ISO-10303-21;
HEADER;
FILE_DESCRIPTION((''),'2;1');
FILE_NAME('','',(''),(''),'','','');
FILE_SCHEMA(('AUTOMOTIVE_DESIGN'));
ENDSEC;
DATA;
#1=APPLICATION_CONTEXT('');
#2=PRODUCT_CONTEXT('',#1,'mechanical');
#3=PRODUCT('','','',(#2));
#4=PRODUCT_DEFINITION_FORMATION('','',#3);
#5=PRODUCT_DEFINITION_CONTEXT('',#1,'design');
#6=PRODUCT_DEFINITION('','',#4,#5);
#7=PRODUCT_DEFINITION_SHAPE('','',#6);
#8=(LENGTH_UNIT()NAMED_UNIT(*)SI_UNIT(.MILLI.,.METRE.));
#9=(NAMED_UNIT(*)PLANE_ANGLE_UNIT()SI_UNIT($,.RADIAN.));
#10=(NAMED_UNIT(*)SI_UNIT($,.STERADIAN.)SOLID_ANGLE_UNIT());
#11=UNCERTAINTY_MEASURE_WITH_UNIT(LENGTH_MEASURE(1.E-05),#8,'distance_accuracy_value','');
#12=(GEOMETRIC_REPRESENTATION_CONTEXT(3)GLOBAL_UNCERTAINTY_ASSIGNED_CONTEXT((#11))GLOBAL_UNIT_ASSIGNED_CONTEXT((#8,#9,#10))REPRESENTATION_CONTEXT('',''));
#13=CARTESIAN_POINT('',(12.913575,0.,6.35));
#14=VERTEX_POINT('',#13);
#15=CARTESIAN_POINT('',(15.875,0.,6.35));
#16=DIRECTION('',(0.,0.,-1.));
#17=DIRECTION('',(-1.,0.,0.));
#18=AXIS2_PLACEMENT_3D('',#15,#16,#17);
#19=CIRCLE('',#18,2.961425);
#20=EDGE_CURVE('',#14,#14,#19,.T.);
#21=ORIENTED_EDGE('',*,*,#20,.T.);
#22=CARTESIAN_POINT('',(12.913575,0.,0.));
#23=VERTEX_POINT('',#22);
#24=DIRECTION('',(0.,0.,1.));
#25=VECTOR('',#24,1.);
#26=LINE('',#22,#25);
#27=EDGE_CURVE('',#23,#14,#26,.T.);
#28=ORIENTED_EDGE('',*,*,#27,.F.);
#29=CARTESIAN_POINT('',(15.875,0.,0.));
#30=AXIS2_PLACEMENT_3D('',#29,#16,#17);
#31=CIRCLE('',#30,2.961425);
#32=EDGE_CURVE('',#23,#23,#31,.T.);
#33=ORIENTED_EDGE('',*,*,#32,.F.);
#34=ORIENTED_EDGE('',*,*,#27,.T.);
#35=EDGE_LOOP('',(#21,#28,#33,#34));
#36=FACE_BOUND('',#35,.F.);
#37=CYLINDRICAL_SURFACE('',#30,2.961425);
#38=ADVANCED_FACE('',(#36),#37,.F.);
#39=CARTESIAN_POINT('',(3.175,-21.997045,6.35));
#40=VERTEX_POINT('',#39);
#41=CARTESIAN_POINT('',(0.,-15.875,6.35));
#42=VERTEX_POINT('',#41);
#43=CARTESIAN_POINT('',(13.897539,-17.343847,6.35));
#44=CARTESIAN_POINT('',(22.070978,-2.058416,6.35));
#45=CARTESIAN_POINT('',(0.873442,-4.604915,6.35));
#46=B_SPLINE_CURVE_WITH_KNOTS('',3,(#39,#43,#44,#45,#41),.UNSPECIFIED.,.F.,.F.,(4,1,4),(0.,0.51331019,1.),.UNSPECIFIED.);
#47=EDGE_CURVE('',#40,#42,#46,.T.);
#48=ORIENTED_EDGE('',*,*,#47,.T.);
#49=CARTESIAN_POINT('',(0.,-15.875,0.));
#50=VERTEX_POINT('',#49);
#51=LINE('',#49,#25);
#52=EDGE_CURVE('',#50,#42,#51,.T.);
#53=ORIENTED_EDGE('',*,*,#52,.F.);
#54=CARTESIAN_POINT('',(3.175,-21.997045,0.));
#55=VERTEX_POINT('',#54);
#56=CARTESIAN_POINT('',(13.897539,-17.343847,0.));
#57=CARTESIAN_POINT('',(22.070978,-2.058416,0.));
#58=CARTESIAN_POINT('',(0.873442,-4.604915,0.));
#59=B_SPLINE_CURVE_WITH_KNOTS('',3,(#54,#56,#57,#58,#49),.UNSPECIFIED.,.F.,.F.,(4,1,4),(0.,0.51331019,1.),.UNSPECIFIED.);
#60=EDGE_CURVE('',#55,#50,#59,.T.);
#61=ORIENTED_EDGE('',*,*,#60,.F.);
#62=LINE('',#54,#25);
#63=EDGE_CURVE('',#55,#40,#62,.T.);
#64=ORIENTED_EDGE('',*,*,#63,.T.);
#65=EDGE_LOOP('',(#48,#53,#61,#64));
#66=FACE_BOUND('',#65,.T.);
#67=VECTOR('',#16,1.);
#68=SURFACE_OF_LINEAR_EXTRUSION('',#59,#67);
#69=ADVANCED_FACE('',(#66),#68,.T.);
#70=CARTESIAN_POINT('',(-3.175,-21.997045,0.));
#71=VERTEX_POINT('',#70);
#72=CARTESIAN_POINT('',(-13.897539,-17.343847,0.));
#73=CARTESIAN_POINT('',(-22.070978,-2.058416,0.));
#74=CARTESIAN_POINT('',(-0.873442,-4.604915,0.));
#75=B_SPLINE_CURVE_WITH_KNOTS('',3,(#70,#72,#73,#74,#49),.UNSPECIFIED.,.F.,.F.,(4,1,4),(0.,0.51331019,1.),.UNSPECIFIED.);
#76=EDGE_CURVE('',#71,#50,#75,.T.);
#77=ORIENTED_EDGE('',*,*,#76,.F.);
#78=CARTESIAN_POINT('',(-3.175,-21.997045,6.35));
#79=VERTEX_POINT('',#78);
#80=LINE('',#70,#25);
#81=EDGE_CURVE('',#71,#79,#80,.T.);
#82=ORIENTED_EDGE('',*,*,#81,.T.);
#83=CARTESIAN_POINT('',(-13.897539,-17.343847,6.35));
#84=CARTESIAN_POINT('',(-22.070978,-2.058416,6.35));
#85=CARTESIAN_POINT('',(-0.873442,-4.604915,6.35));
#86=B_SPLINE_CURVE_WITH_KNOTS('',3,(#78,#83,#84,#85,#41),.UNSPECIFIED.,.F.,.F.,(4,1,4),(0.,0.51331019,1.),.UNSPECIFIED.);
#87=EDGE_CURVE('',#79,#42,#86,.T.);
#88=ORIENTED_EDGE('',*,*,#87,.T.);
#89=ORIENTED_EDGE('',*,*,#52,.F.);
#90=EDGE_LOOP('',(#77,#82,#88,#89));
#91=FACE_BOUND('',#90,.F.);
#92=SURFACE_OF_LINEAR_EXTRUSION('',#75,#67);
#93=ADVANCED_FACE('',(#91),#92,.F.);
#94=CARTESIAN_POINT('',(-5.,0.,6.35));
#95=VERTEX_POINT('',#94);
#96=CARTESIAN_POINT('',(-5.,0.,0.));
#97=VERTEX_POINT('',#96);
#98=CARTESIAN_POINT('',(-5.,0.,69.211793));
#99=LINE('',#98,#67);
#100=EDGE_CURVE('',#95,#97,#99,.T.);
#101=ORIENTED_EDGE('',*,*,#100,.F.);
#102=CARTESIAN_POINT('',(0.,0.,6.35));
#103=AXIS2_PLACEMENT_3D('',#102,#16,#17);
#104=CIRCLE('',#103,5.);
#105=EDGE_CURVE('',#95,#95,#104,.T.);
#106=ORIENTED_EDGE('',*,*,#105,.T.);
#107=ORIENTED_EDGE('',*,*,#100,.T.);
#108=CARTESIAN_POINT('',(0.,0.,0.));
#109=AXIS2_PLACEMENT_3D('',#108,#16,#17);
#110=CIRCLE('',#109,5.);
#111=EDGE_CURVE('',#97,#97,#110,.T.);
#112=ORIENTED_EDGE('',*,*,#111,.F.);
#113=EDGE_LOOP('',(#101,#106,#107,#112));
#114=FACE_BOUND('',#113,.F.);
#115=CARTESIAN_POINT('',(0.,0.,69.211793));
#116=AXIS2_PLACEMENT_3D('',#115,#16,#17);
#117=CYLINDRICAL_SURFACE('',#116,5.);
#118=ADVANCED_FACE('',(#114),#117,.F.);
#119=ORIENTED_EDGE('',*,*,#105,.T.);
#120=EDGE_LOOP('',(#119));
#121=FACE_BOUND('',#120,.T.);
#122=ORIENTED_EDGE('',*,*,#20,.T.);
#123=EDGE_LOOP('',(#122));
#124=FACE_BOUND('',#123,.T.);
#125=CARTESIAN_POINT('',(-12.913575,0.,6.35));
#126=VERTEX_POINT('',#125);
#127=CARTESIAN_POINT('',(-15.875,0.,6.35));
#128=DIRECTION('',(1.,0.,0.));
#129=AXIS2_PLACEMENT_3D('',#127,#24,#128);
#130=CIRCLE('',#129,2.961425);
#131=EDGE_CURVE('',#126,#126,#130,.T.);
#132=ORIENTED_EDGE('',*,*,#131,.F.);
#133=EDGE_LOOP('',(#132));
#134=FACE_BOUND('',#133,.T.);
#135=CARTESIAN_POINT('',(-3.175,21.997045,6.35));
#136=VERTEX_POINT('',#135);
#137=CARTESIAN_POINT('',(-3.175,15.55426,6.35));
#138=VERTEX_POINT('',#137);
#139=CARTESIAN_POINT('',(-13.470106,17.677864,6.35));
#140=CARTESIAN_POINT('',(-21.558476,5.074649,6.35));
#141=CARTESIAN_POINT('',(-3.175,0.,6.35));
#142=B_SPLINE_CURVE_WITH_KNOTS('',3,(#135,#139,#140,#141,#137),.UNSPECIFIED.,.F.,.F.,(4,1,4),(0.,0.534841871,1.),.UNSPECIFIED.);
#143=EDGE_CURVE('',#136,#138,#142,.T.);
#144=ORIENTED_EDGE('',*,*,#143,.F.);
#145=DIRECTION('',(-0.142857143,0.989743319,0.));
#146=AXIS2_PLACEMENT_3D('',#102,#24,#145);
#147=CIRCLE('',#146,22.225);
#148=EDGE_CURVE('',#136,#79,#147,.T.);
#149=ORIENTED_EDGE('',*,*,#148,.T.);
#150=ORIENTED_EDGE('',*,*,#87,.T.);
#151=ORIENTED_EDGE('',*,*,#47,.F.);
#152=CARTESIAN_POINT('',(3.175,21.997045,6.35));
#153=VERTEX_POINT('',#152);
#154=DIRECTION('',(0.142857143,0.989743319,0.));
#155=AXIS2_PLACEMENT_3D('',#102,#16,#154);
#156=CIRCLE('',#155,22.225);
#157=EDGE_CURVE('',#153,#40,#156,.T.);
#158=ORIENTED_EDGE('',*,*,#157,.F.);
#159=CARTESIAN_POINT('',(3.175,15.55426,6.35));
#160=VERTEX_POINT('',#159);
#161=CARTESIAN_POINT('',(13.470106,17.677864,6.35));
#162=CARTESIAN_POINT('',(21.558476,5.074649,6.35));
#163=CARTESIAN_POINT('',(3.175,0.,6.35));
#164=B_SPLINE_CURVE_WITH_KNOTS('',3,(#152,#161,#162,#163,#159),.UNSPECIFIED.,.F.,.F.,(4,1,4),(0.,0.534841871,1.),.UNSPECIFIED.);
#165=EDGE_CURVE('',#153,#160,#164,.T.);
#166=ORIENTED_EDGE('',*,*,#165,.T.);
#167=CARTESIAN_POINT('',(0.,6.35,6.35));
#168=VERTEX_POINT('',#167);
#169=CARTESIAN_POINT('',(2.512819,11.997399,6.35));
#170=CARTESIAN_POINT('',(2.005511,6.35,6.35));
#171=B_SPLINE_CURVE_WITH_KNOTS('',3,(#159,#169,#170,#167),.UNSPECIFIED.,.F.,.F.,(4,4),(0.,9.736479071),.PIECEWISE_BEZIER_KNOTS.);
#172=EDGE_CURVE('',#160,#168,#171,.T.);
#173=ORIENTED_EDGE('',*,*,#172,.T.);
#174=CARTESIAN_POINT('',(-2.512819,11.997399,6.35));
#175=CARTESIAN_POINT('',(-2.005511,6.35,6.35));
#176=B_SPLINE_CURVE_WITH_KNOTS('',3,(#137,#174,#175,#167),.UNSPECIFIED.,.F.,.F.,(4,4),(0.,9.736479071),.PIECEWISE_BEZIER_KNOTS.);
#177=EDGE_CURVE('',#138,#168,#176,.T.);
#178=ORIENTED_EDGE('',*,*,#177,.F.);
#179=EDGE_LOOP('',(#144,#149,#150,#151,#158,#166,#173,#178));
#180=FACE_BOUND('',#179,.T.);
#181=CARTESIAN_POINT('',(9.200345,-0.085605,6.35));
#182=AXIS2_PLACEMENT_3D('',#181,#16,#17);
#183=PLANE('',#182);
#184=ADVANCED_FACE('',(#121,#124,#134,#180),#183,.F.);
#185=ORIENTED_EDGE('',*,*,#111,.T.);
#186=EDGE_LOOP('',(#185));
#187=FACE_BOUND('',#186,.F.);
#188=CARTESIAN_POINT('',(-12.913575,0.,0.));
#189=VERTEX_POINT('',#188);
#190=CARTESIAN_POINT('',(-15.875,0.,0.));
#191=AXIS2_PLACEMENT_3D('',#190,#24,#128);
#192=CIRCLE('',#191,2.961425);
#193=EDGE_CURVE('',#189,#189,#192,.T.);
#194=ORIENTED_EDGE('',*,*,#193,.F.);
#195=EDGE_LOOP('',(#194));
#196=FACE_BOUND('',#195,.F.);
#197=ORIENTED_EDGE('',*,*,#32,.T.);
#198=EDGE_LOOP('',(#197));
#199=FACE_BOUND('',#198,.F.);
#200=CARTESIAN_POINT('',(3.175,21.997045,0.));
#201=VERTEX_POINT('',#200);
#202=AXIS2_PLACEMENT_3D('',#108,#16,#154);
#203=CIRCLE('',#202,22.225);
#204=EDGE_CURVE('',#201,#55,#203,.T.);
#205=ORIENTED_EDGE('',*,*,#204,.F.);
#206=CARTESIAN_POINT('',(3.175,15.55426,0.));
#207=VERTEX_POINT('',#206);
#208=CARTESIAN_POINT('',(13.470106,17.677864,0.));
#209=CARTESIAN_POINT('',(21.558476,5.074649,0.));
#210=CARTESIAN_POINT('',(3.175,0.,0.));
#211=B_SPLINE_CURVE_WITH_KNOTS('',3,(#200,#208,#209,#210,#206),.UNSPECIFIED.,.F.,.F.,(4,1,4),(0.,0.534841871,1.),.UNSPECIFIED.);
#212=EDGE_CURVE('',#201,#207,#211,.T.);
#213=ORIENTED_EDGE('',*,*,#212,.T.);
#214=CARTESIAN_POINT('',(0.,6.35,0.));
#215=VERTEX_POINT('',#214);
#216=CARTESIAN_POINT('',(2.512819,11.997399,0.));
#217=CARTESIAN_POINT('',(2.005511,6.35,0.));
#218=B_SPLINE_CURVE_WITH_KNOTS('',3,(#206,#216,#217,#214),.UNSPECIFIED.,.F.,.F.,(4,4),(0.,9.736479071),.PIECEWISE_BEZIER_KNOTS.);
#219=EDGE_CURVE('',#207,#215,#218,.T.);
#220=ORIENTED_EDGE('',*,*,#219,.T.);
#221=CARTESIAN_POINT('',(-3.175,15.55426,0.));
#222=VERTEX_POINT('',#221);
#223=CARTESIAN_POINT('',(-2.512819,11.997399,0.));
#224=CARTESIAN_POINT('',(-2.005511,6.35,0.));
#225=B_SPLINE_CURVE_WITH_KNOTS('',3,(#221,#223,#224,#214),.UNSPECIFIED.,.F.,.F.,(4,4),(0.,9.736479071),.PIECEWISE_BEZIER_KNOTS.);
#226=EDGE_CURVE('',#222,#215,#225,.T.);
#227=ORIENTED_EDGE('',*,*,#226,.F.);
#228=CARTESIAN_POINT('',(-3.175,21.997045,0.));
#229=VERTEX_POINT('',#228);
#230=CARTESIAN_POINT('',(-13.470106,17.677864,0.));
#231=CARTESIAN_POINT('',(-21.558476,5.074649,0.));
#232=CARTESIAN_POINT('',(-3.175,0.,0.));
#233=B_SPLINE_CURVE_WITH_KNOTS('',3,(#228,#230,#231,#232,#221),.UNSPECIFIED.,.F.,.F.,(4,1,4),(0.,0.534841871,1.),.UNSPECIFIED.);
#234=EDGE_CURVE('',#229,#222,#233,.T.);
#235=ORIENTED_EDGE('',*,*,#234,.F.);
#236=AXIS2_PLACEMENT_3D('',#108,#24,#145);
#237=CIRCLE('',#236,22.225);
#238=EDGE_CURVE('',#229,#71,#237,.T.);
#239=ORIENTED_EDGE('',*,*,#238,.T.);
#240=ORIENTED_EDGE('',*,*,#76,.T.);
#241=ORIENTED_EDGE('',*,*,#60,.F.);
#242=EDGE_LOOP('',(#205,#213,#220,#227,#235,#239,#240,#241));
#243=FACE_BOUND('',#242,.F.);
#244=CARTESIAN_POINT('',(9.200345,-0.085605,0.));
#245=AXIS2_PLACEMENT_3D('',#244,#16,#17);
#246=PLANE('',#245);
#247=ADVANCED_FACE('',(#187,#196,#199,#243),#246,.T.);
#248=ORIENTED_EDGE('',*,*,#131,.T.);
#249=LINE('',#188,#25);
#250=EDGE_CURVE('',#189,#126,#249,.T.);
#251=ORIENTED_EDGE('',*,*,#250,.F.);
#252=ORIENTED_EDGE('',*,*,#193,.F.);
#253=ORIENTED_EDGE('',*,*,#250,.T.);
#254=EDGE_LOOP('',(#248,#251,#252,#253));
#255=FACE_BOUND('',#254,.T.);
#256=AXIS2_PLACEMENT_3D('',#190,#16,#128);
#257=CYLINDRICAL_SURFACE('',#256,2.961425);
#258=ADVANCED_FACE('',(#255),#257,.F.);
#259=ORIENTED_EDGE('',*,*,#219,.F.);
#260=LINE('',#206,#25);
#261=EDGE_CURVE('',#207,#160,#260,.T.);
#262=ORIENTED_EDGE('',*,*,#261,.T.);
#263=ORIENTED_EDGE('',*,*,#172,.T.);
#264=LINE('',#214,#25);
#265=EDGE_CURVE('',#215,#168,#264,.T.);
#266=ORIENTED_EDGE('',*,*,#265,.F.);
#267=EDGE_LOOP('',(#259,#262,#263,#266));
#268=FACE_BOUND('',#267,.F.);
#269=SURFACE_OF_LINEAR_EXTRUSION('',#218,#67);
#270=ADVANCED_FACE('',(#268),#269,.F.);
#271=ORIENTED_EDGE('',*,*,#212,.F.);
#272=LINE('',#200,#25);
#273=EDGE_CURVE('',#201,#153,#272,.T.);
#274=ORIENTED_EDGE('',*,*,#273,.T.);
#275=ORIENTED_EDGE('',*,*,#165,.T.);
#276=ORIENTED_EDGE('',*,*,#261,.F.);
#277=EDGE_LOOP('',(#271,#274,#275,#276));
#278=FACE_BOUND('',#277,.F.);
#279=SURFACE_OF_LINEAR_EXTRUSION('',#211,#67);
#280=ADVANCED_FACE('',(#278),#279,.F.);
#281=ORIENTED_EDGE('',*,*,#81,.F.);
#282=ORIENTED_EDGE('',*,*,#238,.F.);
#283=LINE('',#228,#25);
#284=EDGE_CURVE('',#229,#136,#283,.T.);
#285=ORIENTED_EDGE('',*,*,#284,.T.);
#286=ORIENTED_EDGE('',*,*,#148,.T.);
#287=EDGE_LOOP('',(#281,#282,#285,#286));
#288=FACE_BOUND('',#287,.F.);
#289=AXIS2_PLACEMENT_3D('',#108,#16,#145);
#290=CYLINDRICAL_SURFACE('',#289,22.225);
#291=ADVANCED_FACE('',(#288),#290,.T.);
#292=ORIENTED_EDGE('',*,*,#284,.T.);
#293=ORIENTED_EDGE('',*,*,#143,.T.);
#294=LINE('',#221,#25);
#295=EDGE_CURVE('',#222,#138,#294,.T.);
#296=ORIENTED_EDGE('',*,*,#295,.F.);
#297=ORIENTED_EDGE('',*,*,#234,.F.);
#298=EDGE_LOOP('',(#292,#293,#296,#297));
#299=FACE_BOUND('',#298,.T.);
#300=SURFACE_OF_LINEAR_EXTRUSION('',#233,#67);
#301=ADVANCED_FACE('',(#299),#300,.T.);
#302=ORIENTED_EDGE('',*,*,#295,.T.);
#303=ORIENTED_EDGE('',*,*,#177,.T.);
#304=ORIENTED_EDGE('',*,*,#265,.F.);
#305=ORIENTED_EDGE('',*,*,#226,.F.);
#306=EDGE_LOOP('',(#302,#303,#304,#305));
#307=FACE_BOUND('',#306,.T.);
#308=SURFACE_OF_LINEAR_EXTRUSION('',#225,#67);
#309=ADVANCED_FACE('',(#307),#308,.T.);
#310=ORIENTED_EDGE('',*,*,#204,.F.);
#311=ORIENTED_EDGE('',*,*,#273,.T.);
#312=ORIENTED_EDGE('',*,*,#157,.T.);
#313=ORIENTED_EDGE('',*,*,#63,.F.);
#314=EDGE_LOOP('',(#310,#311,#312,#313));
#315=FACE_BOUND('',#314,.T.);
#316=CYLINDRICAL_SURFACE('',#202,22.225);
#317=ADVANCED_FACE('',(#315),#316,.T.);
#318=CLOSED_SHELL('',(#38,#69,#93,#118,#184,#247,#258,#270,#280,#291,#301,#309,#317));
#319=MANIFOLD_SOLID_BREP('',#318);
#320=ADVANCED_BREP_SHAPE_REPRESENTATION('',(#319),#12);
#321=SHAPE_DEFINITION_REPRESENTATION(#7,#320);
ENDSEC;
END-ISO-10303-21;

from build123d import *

# Parameters (mm, degrees)
F0_R     = 2.9614248249
F1_DEPTH = 6.35
F4_D     = 10


with BuildPart() as f1:
    # F0 (on Top) → F1 (new body)
    with BuildSketch(Plane.XY):
        with BuildLine():
            add(Edge.make_bspline(
                [(-3.175, 21.9970452561), (-13.4701055795, 17.6778641435), (-21.5584756618, 5.0746489519), (-3.175, 0), (-3.175, 15.5542598667)],
                knots=[0, 0, 0, 0, 0.5348418709, 1, 1, 1, 1], degree=3))
            ThreePointArc((-3.175, 21.9970452561), (-22.225, 0), (-3.175, -21.9970452561))
            add(Edge.make_bspline(
                [(-3.175, -21.9970452561), (-13.8975393501, -17.343846892), (-22.0709782387, -2.0584159269), (-0.8734419243, -4.604915157), (0, -15.875)],
                knots=[0, 0, 0, 0, 0.5133101899, 1, 1, 1, 1], degree=3))
            Line((0, -15.875), (0, 6.35))
            add(Edge.make_bspline(
                [(-3.175, 15.5542598667), (-2.5128191337, 11.9973989204), (-2.0055109635, 6.35), (0, 6.35)],
                knots=[0, 0, 0, 0, 9.7364790707, 9.7364790707, 9.7364790707, 9.7364790707], degree=3))
        make_face()
        with Locations((-15.875, 0)):
            Circle(F0_R, mode=Mode.SUBTRACT)
    extrude(amount=F1_DEPTH)

    # F2: F1 across face


with BuildPart() as f1_1:
    add(f1.part)
    add(f1.part.mirror(Plane(origin=(0, -4.7625, 3.175), x_dir=(0, 1, 0), z_dir=(1, 0, 0))))

    # F4 (through all)
    with Locations(Plane.XY.offset(6.35)):
        with Locations((0, 0)):
            Hole(F4_D / 2)


solid = f1_1.part
